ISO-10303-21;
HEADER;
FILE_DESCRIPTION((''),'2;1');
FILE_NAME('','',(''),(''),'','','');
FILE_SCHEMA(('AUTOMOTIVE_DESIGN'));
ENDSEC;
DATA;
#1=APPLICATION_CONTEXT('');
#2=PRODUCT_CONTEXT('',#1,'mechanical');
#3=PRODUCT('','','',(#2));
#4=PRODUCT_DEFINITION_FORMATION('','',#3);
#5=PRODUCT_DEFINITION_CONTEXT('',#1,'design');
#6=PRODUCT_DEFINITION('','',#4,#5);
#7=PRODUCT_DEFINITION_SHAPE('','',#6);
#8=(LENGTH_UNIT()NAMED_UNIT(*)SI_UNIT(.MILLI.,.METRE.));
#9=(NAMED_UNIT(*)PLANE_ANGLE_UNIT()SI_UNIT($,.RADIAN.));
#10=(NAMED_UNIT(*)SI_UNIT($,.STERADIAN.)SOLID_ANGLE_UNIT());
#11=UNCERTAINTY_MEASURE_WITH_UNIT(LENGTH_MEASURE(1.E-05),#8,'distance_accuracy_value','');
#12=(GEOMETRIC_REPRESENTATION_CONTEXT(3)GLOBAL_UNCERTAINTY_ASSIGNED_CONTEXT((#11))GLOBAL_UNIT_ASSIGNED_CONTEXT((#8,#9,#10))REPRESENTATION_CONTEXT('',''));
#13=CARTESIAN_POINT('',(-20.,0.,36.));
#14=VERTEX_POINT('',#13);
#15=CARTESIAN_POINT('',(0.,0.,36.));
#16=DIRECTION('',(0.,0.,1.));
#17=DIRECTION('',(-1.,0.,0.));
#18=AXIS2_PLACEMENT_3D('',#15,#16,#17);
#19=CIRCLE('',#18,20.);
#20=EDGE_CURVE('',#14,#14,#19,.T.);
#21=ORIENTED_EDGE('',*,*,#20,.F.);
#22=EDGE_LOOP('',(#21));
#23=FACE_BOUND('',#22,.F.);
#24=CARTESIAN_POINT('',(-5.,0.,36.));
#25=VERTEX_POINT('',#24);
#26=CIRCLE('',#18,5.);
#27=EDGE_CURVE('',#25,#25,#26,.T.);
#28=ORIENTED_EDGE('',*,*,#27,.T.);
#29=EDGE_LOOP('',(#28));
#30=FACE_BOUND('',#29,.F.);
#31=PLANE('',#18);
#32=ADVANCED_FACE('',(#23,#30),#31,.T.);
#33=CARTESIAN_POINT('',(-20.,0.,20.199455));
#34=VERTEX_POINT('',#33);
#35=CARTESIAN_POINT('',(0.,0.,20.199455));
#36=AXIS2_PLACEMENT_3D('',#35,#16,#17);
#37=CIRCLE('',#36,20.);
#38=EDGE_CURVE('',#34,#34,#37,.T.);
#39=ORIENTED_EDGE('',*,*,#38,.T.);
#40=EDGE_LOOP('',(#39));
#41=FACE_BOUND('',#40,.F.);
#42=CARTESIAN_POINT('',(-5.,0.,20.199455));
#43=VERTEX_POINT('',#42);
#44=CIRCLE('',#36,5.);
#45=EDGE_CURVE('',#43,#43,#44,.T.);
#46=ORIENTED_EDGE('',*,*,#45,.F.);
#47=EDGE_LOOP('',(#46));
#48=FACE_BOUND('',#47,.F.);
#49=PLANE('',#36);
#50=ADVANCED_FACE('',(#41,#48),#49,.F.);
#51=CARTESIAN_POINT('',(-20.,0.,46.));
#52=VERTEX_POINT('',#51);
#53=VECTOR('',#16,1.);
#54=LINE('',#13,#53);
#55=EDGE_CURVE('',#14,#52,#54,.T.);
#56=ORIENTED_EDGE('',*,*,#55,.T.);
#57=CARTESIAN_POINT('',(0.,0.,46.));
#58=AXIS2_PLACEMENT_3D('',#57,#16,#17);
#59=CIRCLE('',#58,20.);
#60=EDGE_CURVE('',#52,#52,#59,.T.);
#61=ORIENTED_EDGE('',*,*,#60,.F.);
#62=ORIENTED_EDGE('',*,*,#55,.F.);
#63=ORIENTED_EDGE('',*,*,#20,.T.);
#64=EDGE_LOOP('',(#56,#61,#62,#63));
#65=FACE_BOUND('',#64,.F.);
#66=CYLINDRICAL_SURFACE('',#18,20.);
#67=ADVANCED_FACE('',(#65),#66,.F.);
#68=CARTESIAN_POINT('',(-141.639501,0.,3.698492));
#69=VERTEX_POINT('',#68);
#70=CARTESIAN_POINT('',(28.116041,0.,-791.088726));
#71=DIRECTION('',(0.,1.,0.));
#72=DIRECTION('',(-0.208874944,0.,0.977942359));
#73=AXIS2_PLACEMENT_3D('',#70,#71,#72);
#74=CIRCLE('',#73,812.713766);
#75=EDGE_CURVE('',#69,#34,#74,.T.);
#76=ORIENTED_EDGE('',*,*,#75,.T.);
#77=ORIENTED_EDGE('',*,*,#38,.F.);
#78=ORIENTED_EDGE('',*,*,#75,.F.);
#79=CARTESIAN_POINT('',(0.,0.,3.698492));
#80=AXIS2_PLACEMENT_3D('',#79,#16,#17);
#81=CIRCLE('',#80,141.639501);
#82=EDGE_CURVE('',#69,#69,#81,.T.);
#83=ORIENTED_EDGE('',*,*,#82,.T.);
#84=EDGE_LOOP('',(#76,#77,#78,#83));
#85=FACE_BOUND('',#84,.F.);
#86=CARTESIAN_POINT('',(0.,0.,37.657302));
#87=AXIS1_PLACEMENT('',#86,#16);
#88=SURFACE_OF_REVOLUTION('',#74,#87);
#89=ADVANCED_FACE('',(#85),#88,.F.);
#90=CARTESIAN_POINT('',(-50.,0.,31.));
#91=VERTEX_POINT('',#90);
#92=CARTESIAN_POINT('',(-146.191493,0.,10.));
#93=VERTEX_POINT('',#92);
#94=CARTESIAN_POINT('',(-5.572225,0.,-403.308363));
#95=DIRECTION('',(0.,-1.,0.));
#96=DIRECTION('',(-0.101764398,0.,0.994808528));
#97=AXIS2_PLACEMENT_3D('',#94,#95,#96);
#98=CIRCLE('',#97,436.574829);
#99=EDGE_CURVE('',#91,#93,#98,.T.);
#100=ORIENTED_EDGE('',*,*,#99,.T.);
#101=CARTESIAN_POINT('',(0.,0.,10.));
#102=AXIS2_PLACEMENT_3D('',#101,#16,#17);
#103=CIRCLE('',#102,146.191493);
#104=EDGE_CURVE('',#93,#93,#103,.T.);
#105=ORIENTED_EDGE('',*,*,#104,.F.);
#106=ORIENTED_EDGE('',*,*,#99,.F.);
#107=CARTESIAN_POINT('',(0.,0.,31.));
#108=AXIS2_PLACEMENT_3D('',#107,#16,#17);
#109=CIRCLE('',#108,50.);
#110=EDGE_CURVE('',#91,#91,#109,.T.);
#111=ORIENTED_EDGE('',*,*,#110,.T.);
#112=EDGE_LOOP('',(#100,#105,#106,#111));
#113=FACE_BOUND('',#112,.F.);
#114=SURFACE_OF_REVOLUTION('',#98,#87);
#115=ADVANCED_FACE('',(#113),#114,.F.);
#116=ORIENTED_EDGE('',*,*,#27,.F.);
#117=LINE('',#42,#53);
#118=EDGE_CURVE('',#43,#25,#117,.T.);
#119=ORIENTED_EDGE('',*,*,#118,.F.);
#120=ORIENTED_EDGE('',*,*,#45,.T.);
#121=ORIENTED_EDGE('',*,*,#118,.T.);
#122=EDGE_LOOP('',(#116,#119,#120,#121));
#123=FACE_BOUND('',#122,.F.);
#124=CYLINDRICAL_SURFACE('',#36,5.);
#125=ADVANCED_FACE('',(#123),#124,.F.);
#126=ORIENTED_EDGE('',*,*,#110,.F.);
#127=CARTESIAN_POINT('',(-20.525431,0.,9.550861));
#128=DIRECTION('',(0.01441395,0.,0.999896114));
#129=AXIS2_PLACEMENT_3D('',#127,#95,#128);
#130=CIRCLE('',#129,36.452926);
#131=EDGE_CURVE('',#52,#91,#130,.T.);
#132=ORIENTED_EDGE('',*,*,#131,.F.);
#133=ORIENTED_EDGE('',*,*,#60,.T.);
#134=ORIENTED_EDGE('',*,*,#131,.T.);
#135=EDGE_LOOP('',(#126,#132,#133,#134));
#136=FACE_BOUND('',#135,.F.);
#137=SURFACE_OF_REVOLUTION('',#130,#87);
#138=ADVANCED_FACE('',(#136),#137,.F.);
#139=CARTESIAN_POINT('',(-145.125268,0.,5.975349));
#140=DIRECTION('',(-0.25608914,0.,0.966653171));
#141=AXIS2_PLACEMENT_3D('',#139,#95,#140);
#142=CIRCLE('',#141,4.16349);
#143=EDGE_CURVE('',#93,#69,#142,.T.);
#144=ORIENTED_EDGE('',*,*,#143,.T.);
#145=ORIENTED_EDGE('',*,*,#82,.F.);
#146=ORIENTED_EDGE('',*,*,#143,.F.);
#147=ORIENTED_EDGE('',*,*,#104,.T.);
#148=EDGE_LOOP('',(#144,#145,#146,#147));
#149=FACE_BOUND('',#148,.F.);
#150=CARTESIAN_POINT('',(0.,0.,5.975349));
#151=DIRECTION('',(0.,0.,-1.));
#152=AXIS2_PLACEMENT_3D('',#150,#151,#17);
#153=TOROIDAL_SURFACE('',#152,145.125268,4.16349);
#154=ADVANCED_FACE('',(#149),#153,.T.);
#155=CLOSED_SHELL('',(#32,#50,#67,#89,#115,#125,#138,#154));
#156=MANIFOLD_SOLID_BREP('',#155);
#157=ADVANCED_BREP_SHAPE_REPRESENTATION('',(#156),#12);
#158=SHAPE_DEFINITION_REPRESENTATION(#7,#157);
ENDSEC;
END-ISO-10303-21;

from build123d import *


with BuildPart() as f2:
    # F0 (on Front) → F2 (revolve)
    with BuildSketch(Plane.XZ):
        with BuildLine():
            Line((-5, 20.199455), (-5, 36))
            Line((-5, 36), (-20, 36))
            Line((-20, 36), (-20, 46))
            ThreePointArc((-20, 46), (-36.827675, 42.155349), (-50, 31))
            ThreePointArc((-50, 31), (-98.689635, 23.220334), (-146.191493, 10))
            ThreePointArc((-146.191493, 10), (-148.500294, 3.537347), (-141.639501, 3.698492))
            ThreePointArc((-141.639501, 3.698492), (-81.131738, 14.248836), (-20, 20.199455))
            Line((-20, 20.199455), (-5, 20.199455))
        make_face()
    revolve(axis=Axis((0, 0, 37.657302), (0, 0, 1)))


solid = f2.part
